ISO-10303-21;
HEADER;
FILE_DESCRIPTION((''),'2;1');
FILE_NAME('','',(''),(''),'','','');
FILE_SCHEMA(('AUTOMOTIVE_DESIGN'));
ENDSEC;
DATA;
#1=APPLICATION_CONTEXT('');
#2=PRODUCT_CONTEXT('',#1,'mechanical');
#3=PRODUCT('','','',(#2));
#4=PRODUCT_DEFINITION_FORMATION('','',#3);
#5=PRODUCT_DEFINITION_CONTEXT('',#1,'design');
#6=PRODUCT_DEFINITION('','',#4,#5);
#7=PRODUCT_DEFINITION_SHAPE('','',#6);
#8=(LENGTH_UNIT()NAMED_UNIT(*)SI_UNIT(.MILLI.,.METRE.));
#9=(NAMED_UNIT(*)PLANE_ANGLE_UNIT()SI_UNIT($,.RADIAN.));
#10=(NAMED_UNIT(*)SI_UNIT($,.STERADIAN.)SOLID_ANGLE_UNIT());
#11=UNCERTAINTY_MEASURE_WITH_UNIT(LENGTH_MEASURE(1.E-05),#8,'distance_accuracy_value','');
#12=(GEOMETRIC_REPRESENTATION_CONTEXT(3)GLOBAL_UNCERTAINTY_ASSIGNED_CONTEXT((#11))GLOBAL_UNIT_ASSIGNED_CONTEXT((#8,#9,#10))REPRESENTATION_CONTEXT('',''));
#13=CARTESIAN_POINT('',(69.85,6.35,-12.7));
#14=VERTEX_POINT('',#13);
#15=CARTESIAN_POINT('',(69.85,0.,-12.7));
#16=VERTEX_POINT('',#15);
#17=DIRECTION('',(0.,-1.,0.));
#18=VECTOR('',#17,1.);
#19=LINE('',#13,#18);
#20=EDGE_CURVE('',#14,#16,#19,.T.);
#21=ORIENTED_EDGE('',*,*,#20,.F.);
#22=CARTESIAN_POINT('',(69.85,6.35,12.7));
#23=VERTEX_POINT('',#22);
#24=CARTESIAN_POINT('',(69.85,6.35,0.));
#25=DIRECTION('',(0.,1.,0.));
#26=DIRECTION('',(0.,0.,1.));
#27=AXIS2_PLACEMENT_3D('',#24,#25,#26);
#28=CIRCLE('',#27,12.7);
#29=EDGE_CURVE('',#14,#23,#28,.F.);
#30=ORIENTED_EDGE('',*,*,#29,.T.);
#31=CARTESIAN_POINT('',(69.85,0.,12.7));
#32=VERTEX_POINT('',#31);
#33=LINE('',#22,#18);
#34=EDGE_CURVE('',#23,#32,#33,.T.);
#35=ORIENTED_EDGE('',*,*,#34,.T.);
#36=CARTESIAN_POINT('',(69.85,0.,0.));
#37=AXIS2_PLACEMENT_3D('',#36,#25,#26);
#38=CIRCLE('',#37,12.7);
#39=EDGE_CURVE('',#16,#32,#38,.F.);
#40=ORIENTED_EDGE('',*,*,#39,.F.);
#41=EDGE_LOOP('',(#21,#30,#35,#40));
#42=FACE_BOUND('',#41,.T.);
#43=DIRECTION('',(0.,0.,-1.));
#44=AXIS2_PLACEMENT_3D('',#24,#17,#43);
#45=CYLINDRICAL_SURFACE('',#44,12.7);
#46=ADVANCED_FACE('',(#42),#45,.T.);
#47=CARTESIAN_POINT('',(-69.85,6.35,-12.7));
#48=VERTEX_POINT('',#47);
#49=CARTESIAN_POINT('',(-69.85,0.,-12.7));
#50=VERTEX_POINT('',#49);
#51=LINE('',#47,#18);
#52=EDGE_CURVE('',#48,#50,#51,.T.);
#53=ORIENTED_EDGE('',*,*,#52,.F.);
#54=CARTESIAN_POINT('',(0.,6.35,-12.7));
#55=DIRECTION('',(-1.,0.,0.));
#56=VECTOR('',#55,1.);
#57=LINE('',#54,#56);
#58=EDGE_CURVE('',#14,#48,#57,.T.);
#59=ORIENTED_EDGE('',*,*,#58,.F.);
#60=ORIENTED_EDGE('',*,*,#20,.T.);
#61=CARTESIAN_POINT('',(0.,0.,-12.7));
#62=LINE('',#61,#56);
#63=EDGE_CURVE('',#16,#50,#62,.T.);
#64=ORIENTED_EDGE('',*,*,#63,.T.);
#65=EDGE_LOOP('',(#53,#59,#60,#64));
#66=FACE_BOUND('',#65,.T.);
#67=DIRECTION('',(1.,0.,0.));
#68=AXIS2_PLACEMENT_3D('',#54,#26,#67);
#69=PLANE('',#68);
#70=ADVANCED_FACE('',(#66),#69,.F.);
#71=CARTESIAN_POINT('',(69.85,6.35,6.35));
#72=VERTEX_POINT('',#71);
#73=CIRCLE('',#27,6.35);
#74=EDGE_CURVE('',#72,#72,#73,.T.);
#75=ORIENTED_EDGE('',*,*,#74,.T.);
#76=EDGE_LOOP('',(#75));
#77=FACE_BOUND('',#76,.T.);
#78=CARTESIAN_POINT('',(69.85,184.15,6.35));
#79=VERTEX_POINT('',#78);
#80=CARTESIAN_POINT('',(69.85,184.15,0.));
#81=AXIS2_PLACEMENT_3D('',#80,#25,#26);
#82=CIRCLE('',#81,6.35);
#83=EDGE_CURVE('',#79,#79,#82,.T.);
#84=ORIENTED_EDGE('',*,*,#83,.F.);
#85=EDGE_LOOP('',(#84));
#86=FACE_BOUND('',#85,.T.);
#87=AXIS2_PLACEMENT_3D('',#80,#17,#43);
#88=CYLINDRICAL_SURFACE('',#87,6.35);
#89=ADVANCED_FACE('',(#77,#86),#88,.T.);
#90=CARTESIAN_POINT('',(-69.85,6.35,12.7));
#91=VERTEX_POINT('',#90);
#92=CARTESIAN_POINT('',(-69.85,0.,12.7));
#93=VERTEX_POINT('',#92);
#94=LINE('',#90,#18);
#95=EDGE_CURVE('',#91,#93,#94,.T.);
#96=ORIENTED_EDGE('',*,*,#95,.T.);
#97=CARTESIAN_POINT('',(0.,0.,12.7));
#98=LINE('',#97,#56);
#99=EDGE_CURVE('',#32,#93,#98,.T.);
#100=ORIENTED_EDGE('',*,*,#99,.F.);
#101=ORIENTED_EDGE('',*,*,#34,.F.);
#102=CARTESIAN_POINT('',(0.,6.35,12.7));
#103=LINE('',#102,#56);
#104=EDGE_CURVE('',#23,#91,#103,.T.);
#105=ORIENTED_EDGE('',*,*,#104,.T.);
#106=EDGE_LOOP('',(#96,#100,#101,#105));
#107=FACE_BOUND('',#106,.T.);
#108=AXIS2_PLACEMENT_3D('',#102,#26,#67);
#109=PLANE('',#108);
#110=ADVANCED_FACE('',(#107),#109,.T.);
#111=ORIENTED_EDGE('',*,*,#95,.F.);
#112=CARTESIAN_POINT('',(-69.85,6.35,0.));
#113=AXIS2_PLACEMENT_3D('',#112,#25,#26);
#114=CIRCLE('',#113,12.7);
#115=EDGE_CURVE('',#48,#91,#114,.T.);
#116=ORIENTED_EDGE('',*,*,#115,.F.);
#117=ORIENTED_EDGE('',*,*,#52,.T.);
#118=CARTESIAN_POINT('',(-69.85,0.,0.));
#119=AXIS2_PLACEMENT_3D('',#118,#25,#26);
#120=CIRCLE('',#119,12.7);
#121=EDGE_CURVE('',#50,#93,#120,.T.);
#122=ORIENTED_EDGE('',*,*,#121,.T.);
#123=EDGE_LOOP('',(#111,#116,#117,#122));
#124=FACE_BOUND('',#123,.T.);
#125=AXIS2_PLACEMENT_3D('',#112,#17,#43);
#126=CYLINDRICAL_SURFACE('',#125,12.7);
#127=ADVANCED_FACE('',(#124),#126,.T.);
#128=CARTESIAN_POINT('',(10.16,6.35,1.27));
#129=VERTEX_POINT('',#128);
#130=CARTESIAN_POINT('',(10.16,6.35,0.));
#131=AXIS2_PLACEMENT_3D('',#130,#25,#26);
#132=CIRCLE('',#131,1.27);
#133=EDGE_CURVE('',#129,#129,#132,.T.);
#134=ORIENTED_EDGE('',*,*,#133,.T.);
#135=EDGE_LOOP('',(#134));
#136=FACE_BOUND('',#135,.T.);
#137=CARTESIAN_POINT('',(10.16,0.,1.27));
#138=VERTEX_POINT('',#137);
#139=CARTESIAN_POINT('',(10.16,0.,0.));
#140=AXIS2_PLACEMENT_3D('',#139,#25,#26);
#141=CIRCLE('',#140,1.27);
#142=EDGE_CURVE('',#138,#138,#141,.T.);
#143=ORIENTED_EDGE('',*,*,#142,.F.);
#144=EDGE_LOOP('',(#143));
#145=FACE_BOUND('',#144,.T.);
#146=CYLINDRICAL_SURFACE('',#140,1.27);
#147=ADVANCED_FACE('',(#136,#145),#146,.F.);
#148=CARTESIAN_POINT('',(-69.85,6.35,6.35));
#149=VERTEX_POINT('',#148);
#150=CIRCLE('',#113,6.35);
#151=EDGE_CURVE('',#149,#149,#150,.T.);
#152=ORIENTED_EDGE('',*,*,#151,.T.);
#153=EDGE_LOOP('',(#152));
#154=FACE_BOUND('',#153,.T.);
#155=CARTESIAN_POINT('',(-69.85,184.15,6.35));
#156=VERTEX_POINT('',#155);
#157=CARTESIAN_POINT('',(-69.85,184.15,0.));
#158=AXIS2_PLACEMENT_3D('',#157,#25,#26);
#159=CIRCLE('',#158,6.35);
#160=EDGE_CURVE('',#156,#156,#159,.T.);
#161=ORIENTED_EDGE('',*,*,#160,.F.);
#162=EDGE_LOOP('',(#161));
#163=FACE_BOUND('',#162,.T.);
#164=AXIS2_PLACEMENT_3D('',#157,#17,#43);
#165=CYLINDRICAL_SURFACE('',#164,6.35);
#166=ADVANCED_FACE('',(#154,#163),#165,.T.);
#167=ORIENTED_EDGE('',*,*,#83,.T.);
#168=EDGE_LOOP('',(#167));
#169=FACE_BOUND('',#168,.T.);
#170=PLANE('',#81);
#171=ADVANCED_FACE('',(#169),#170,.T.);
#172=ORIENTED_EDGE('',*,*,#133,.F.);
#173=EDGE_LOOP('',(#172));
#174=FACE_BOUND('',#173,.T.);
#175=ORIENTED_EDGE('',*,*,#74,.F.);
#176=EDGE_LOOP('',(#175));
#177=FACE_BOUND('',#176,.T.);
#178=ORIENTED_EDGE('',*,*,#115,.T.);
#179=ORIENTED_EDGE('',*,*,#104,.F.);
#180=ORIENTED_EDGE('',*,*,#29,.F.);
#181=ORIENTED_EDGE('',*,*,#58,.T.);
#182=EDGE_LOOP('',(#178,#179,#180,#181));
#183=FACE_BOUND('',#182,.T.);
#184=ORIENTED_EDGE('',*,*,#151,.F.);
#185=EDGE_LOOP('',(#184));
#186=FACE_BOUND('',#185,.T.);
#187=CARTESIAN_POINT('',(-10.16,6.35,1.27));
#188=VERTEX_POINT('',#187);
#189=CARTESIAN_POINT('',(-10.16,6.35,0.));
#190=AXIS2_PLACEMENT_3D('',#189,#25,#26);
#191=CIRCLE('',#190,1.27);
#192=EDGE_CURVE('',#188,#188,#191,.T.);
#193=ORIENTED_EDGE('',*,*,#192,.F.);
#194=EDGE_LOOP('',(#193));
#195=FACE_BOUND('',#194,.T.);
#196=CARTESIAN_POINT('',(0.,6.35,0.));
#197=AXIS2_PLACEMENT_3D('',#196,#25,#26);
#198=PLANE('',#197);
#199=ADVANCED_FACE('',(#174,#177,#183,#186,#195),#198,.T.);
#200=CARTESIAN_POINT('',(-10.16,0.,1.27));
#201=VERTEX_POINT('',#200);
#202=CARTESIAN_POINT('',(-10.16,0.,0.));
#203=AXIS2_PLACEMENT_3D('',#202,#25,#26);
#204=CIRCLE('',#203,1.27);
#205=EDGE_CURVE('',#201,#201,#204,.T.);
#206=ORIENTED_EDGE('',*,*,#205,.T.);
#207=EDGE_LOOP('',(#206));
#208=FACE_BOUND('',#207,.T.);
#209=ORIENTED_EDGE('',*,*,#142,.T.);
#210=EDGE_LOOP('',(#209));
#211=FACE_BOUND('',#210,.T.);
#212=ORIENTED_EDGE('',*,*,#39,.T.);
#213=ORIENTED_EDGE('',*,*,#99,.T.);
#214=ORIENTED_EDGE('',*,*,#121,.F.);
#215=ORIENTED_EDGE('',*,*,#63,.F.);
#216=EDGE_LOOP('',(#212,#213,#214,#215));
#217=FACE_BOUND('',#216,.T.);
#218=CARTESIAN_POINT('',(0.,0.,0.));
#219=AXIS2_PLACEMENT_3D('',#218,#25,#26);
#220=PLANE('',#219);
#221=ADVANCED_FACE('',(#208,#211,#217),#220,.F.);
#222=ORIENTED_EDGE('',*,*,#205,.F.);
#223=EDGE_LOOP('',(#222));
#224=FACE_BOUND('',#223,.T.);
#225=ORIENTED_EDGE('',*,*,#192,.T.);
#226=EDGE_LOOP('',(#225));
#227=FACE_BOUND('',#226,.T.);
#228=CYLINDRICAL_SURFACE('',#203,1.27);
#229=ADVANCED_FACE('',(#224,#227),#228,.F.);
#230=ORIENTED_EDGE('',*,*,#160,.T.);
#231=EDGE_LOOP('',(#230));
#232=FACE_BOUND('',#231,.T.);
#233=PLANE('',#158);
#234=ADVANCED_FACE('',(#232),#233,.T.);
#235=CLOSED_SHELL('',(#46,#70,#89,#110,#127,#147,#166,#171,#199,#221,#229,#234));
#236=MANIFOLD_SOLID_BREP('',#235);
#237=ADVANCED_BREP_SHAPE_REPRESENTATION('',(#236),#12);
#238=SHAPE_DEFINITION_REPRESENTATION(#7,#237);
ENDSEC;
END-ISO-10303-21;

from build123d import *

# Parameters (mm, degrees)
SKETCH1_W           = 139.7
SKETCH1_H           = 25.4
BOSS_EXTRUDE1_DEPTH = 6.35
SKETCH2_R           = 6.35
BOSS_EXTRUDE2_DEPTH = 177.8
SKETCH3_R           = 1.27
CUT_EXTRUDE1_DEPTH  = 7.35


with BuildPart() as part:
    # Sketch1 → Boss-Extrude1 (new body)
    with BuildSketch(Plane(origin=(0, 0, 0), x_dir=(1, 0, 0), z_dir=(0, 1, 0))):
        with BuildLine():
            Line((-69.85, 12.7), (-69.85, -12.7))
            ThreePointArc((-69.85, -12.7), (-82.55, 0), (-69.85, 12.7))
        make_face()
        with BuildLine():
            ThreePointArc((69.85, 12.7), (82.55, 0), (69.85, -12.7))
            Line((69.85, -12.7), (69.85, 12.7))
        make_face()
        Rectangle(SKETCH1_W, SKETCH1_H)
    extrude(amount=BOSS_EXTRUDE1_DEPTH)

    # Sketch2 → Boss-Extrude2 (add)
    with BuildSketch(Plane(origin=(0, 6.35, 0), x_dir=(1, 0, 0), z_dir=(0, 1, 0))):
        with Locations((-69.85, 0)):
            Circle(SKETCH2_R)
        with Locations((69.85, 0)):
            Circle(SKETCH2_R)
    extrude(amount=BOSS_EXTRUDE2_DEPTH)

    # Sketch3 → Cut-Extrude1 (cut, through all)
    with BuildSketch(Plane(origin=(0, 6.35, 0), x_dir=(1, 0, 0), z_dir=(0, 1, 0))):
        with Locations((-10.16, 0)):
            Circle(SKETCH3_R)
        with Locations((10.16, 0)):
            Circle(SKETCH3_R)
    extrude(amount=-CUT_EXTRUDE1_DEPTH, mode=Mode.SUBTRACT)


solid = part.part
